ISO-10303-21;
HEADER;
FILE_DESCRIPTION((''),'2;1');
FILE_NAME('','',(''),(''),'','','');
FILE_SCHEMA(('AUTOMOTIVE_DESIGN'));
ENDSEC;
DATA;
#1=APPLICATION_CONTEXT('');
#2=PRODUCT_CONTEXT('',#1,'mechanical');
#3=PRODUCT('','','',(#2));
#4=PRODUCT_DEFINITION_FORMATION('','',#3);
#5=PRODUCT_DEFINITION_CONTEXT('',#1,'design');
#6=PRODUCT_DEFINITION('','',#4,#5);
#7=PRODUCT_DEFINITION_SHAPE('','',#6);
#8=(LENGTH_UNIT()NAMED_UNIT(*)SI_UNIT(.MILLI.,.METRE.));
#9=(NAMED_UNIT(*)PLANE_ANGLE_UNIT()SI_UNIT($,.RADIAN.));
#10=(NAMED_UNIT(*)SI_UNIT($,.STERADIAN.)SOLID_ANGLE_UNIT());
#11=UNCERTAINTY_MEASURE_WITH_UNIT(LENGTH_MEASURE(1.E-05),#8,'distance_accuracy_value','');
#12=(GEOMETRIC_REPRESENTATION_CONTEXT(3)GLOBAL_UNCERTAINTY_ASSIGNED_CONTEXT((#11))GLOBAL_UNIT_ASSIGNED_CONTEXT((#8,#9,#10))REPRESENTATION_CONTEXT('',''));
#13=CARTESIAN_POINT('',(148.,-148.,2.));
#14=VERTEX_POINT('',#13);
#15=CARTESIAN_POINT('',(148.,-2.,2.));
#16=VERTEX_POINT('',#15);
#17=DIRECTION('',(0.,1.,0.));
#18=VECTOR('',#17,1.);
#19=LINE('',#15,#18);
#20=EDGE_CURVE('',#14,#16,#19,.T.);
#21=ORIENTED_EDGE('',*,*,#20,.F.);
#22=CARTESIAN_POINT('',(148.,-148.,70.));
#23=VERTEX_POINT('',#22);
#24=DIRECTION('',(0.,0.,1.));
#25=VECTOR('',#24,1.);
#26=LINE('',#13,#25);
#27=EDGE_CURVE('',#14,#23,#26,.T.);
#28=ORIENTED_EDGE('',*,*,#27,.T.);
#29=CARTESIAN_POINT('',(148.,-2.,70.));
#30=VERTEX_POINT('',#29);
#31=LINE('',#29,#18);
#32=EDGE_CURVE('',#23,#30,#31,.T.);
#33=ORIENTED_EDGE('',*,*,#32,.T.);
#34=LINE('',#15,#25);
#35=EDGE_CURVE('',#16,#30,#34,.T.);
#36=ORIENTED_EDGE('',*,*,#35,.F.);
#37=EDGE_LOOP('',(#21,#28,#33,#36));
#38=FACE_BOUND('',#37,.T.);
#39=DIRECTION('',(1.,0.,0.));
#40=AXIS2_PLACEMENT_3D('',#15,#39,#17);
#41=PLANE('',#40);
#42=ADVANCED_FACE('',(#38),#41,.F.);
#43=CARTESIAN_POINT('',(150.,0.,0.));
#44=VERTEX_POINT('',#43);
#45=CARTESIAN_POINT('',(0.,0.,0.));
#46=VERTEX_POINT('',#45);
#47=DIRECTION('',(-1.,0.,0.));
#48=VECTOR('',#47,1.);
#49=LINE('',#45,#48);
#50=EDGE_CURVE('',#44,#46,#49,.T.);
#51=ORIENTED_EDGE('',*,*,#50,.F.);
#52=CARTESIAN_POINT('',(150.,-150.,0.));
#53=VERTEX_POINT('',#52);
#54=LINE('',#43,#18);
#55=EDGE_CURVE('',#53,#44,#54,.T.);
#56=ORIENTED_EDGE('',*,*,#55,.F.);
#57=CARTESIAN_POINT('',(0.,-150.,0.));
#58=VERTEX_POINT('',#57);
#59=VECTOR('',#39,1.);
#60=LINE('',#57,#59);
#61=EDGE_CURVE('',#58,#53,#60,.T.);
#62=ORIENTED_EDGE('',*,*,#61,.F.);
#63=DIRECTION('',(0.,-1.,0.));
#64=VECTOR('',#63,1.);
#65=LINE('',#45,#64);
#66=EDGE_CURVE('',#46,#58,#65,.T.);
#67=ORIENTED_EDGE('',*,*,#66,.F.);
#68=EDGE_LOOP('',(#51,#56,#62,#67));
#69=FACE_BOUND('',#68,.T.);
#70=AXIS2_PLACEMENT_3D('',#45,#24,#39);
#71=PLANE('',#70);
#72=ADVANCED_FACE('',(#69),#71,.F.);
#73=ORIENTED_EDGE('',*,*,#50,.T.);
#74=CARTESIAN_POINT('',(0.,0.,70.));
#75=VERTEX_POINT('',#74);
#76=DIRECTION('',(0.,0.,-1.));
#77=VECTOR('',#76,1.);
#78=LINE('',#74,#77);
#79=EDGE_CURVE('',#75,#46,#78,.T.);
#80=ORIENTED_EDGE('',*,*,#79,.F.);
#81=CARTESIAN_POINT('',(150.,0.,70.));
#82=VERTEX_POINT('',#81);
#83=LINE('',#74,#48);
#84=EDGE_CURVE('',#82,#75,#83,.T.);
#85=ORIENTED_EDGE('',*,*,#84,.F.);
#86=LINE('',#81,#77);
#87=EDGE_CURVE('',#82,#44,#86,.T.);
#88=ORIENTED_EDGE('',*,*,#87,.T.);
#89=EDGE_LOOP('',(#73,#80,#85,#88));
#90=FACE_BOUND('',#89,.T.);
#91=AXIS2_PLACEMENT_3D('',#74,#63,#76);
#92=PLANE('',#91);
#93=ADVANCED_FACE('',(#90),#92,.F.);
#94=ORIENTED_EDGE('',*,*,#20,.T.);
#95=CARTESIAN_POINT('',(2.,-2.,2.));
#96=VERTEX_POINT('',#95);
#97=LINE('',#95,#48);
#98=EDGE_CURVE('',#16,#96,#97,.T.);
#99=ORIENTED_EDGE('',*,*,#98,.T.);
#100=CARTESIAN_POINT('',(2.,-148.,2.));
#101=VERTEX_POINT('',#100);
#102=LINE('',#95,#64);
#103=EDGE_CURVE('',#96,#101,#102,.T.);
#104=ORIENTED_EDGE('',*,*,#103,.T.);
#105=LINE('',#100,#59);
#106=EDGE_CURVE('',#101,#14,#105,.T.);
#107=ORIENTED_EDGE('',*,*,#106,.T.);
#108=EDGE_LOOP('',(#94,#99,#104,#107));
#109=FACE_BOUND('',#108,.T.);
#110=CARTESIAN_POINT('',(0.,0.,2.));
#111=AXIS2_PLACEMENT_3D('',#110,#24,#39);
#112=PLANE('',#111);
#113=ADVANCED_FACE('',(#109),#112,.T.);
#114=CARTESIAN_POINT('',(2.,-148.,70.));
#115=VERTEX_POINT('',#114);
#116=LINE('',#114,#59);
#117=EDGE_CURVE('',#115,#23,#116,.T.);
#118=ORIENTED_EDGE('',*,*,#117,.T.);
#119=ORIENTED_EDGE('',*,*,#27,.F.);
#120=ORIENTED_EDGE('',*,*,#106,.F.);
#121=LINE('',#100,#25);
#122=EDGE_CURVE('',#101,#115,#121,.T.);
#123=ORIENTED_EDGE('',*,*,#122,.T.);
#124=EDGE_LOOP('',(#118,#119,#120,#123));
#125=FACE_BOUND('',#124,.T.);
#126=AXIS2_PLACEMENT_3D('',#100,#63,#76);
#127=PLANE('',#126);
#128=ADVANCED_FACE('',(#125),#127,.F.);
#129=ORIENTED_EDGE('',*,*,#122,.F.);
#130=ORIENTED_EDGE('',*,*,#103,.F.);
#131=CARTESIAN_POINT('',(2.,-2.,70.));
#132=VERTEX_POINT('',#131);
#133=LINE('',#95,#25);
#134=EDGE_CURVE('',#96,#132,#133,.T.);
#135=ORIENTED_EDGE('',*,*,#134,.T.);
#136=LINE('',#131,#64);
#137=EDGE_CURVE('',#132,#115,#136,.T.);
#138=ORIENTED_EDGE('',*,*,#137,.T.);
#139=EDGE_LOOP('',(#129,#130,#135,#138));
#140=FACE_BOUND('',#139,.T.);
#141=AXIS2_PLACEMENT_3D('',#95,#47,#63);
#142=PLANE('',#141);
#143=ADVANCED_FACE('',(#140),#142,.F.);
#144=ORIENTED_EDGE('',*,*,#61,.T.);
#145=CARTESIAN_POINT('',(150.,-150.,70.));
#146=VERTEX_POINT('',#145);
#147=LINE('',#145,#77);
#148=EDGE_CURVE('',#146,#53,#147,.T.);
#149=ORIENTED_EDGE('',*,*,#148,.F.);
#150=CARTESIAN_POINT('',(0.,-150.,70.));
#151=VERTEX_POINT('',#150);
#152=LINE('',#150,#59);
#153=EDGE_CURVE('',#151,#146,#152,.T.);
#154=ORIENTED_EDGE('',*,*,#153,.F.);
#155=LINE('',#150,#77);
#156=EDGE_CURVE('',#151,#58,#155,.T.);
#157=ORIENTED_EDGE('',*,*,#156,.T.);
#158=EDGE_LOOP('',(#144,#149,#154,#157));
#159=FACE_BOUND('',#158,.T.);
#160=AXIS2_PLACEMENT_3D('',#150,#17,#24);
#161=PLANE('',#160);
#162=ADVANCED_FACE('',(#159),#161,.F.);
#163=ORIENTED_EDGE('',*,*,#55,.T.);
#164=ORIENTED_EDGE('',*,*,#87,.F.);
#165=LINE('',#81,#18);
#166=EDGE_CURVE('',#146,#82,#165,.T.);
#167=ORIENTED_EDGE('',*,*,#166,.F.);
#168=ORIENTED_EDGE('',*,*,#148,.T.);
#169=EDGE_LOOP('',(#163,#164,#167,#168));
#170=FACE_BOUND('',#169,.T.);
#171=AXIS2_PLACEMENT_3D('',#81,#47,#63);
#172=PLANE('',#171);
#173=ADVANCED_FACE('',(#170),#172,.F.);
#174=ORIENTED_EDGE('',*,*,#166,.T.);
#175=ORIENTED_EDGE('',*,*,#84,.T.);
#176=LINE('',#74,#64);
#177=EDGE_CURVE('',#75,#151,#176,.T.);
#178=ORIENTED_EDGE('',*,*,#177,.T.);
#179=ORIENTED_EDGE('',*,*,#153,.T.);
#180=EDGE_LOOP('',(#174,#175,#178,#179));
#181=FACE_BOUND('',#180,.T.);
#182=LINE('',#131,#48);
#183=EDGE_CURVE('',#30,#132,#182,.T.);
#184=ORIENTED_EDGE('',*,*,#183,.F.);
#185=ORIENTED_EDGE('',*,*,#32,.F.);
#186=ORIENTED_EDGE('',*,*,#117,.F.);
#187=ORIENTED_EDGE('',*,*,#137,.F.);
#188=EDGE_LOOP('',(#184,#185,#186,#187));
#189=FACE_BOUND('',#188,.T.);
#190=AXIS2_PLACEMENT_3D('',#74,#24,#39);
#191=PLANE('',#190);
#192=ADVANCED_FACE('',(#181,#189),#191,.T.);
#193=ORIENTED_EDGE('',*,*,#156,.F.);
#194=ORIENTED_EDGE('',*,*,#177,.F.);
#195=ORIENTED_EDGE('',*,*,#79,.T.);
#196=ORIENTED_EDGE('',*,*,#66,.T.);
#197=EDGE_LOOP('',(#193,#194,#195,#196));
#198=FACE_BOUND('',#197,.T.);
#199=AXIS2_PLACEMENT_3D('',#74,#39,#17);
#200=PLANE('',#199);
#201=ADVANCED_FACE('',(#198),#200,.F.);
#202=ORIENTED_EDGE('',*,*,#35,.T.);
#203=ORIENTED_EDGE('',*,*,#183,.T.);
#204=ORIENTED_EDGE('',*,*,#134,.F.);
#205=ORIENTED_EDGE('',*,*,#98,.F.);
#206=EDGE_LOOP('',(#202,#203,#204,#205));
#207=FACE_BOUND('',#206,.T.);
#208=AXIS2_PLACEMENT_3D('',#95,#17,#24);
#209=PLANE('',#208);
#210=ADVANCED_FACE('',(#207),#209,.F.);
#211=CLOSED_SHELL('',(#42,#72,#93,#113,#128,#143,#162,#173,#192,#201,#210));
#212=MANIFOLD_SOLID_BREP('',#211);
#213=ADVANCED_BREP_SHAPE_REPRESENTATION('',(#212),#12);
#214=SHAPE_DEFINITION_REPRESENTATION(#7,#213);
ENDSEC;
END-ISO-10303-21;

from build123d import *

# Parameters (mm, degrees)
SKIZZE1_W                       = 150
SKIZZE1_H                       = 150
AUFSATZ_LINEAR_AUSTRAGEN1_DEPTH = 70
SKIZZE2_W                       = 146
SKIZZE2_H                       = 146
SCHNITT_LINEAR_AUSTRAGEN1_DEPTH = 68


with BuildPart() as part:
    # Skizze1 → Aufsatz-Linear austragen1 (new body)
    with BuildSketch(Plane.XY):
        with Locations((75, -75)):
            Rectangle(SKIZZE1_W, SKIZZE1_H)
    extrude(amount=AUFSATZ_LINEAR_AUSTRAGEN1_DEPTH)

    # Skizze2 → Schnitt-Linear austragen1 (cut)
    with BuildSketch(Plane.XY.offset(70)):
        with Locations((75, -75)):
            Rectangle(SKIZZE2_W, SKIZZE2_H)
    extrude(amount=-SCHNITT_LINEAR_AUSTRAGEN1_DEPTH, mode=Mode.SUBTRACT)


solid = part.part
